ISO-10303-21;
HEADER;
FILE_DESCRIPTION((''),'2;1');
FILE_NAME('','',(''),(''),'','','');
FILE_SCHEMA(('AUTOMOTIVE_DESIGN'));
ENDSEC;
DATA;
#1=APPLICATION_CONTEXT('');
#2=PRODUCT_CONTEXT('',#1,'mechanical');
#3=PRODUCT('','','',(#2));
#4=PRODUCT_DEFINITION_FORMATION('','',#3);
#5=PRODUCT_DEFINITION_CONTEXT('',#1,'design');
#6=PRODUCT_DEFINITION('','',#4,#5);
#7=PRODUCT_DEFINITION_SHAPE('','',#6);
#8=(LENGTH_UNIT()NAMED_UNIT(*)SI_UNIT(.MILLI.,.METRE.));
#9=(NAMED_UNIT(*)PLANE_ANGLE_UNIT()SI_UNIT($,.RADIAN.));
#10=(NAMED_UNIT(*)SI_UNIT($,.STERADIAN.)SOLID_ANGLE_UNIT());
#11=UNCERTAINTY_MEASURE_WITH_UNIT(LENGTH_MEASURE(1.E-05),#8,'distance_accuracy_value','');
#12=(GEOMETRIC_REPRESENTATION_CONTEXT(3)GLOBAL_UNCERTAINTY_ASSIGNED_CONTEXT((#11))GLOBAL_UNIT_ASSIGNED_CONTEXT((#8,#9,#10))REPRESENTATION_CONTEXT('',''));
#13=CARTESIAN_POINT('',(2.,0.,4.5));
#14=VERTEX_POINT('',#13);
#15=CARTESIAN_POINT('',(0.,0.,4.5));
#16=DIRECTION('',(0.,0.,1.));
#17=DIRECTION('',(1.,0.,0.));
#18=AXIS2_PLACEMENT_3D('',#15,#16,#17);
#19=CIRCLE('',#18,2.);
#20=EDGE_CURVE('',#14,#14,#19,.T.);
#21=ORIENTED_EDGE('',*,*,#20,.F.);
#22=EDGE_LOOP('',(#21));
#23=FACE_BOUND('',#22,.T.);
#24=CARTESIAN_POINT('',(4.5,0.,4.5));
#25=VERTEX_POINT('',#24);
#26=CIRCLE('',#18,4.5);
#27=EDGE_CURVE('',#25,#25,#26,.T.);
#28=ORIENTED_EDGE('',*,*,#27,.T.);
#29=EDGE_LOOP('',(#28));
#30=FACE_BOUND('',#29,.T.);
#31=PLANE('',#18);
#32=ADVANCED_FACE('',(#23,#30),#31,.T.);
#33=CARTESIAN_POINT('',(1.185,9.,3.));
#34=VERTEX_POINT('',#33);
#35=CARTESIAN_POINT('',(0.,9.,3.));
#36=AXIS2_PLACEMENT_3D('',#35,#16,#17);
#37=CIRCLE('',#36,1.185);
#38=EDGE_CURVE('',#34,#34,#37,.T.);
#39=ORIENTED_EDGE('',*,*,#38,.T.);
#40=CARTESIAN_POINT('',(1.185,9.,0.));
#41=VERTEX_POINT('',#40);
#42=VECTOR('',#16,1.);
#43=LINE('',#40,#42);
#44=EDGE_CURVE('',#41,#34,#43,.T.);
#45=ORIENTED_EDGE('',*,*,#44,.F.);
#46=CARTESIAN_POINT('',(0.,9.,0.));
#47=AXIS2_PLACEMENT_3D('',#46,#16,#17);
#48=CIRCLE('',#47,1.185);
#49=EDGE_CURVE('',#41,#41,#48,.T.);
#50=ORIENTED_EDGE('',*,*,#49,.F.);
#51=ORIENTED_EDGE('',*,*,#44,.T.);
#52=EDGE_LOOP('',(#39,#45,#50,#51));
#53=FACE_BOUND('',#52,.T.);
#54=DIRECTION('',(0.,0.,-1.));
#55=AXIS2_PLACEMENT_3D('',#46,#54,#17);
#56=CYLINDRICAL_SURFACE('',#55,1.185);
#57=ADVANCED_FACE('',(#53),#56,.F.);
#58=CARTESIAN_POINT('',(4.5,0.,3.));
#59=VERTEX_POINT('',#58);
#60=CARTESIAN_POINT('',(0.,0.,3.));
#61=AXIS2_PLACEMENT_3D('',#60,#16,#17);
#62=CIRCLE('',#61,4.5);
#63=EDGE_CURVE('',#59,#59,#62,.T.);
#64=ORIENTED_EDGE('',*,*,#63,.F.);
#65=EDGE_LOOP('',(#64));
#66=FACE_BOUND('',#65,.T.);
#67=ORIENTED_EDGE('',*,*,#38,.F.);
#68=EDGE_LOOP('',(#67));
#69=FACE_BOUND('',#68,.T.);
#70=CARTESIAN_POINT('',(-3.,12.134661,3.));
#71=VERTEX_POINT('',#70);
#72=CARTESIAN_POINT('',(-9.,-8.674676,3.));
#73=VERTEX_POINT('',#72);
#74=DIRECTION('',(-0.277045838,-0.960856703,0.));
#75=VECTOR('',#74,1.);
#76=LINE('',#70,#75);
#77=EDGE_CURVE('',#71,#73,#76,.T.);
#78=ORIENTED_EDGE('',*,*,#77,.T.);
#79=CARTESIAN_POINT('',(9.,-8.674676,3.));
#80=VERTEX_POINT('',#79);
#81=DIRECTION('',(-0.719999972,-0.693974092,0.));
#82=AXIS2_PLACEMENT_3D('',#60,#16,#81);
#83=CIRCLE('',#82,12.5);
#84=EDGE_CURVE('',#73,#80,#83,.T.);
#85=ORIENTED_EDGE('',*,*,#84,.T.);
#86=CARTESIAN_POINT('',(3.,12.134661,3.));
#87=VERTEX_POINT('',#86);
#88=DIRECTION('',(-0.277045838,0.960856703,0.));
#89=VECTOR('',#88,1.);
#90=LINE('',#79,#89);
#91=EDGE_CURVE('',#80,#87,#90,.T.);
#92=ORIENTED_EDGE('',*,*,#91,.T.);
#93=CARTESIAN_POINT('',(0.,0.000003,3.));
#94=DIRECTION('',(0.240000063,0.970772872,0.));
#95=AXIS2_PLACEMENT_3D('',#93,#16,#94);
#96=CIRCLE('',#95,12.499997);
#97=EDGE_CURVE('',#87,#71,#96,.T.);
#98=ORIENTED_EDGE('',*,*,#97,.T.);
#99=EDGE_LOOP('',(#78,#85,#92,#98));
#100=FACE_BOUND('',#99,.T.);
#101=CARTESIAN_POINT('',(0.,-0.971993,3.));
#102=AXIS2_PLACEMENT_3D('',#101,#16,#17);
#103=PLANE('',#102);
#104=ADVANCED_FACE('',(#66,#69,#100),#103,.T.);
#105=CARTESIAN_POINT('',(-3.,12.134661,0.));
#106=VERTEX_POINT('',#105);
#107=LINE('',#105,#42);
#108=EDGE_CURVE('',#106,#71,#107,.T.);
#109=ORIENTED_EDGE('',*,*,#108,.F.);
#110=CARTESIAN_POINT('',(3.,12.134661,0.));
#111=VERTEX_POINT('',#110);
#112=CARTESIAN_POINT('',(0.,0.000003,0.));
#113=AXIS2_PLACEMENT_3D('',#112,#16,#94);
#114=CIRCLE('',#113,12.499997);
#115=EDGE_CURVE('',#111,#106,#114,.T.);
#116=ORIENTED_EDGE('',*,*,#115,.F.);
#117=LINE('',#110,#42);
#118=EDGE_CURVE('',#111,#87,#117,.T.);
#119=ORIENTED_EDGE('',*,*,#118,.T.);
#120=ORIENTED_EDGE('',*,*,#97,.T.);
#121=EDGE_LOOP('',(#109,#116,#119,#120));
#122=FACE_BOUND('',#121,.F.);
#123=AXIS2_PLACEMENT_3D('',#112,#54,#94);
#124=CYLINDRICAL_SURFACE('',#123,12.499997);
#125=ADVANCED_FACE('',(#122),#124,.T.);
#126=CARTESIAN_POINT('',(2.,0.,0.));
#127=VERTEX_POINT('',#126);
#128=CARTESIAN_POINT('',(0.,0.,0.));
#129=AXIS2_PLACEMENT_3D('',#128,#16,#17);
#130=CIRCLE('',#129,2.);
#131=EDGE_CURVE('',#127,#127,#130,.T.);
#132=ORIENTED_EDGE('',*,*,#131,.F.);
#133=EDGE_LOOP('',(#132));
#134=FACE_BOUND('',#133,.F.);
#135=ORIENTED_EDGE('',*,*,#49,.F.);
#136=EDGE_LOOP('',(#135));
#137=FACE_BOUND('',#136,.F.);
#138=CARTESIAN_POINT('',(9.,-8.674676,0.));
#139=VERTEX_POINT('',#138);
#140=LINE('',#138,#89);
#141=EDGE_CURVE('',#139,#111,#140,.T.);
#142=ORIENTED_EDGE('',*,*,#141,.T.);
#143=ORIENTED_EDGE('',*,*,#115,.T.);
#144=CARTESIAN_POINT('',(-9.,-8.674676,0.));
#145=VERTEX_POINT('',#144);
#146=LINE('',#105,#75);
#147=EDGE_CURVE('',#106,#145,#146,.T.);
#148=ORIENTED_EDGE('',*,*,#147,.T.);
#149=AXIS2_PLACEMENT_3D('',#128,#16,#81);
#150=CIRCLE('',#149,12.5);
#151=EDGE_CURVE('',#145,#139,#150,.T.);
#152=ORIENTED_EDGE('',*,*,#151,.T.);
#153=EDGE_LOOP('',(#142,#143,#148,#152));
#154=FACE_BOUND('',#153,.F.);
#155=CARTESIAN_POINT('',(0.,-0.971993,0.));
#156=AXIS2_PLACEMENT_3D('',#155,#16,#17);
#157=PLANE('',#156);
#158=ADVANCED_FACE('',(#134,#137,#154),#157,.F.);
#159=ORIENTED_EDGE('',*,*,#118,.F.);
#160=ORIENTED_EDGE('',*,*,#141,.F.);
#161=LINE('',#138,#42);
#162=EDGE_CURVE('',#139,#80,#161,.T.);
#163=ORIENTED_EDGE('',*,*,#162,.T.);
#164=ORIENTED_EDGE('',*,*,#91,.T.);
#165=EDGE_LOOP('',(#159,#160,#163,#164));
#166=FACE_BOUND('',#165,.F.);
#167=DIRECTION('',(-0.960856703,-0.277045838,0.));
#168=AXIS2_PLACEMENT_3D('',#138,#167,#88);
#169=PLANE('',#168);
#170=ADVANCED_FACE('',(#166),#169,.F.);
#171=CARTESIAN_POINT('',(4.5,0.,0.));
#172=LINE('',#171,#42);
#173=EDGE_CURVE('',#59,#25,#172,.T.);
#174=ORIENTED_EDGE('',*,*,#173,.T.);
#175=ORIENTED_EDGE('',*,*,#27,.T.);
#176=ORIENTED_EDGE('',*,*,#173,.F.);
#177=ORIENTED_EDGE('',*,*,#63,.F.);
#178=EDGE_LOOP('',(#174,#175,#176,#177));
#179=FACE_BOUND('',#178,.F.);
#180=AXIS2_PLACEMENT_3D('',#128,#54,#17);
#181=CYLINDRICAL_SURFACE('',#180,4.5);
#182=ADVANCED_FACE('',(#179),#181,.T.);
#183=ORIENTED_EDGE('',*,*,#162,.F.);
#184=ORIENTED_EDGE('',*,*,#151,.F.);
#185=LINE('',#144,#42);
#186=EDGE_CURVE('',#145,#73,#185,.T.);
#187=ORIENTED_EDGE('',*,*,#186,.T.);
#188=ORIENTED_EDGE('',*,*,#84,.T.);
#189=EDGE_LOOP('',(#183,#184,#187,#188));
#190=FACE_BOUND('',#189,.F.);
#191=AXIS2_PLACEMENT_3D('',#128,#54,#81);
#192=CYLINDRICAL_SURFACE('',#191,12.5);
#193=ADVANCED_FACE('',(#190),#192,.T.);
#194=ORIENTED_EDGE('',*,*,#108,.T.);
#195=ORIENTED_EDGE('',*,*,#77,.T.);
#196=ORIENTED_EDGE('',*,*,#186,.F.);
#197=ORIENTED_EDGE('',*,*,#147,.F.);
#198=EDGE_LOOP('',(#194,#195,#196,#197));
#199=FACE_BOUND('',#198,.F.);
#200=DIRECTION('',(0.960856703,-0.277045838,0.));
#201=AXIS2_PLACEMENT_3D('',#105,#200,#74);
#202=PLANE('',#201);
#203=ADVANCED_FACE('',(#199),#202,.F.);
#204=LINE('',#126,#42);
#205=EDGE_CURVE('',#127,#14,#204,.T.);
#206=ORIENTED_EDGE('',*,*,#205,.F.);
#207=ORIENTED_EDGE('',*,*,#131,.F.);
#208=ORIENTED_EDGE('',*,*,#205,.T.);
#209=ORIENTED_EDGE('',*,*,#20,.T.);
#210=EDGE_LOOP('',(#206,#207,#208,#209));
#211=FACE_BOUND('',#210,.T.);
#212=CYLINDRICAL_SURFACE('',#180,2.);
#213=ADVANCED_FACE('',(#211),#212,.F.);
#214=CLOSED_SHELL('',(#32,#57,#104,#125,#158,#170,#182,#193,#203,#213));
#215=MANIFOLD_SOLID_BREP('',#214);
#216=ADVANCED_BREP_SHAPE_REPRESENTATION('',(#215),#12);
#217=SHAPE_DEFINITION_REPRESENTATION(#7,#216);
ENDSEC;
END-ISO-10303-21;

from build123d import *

# Parameters (mm, degrees)
F0_R     = 4.5
F0_R_2   = 1.185
F1_DEPTH = 3
F0_R_3   = 2
F2_DEPTH = 4.5


with BuildPart() as f1:
    # F0 (on Top) → F1 (new body)
    with BuildSketch(Plane.XY):
        with BuildLine():
            Line((9, -8.674676), (3, 12.134661))
            ThreePointArc((3, 12.134661), (0, 12.5), (-3, 12.134661))
            Line((-3, 12.134661), (-9, -8.674676))
            ThreePointArc((-9, -8.674676), (0, -12.5), (9, -8.674676))
        make_face()
        Circle(F0_R, mode=Mode.SUBTRACT)
        with Locations((0, 9)):
            Circle(F0_R_2, mode=Mode.SUBTRACT)
    extrude(amount=F1_DEPTH)

    # F0 (on Top) → F2 (join)
    with BuildSketch(Plane.XY):
        Circle(F0_R)
        Circle(F0_R_3, mode=Mode.SUBTRACT)
    extrude(amount=F2_DEPTH)


solid = f1.part
